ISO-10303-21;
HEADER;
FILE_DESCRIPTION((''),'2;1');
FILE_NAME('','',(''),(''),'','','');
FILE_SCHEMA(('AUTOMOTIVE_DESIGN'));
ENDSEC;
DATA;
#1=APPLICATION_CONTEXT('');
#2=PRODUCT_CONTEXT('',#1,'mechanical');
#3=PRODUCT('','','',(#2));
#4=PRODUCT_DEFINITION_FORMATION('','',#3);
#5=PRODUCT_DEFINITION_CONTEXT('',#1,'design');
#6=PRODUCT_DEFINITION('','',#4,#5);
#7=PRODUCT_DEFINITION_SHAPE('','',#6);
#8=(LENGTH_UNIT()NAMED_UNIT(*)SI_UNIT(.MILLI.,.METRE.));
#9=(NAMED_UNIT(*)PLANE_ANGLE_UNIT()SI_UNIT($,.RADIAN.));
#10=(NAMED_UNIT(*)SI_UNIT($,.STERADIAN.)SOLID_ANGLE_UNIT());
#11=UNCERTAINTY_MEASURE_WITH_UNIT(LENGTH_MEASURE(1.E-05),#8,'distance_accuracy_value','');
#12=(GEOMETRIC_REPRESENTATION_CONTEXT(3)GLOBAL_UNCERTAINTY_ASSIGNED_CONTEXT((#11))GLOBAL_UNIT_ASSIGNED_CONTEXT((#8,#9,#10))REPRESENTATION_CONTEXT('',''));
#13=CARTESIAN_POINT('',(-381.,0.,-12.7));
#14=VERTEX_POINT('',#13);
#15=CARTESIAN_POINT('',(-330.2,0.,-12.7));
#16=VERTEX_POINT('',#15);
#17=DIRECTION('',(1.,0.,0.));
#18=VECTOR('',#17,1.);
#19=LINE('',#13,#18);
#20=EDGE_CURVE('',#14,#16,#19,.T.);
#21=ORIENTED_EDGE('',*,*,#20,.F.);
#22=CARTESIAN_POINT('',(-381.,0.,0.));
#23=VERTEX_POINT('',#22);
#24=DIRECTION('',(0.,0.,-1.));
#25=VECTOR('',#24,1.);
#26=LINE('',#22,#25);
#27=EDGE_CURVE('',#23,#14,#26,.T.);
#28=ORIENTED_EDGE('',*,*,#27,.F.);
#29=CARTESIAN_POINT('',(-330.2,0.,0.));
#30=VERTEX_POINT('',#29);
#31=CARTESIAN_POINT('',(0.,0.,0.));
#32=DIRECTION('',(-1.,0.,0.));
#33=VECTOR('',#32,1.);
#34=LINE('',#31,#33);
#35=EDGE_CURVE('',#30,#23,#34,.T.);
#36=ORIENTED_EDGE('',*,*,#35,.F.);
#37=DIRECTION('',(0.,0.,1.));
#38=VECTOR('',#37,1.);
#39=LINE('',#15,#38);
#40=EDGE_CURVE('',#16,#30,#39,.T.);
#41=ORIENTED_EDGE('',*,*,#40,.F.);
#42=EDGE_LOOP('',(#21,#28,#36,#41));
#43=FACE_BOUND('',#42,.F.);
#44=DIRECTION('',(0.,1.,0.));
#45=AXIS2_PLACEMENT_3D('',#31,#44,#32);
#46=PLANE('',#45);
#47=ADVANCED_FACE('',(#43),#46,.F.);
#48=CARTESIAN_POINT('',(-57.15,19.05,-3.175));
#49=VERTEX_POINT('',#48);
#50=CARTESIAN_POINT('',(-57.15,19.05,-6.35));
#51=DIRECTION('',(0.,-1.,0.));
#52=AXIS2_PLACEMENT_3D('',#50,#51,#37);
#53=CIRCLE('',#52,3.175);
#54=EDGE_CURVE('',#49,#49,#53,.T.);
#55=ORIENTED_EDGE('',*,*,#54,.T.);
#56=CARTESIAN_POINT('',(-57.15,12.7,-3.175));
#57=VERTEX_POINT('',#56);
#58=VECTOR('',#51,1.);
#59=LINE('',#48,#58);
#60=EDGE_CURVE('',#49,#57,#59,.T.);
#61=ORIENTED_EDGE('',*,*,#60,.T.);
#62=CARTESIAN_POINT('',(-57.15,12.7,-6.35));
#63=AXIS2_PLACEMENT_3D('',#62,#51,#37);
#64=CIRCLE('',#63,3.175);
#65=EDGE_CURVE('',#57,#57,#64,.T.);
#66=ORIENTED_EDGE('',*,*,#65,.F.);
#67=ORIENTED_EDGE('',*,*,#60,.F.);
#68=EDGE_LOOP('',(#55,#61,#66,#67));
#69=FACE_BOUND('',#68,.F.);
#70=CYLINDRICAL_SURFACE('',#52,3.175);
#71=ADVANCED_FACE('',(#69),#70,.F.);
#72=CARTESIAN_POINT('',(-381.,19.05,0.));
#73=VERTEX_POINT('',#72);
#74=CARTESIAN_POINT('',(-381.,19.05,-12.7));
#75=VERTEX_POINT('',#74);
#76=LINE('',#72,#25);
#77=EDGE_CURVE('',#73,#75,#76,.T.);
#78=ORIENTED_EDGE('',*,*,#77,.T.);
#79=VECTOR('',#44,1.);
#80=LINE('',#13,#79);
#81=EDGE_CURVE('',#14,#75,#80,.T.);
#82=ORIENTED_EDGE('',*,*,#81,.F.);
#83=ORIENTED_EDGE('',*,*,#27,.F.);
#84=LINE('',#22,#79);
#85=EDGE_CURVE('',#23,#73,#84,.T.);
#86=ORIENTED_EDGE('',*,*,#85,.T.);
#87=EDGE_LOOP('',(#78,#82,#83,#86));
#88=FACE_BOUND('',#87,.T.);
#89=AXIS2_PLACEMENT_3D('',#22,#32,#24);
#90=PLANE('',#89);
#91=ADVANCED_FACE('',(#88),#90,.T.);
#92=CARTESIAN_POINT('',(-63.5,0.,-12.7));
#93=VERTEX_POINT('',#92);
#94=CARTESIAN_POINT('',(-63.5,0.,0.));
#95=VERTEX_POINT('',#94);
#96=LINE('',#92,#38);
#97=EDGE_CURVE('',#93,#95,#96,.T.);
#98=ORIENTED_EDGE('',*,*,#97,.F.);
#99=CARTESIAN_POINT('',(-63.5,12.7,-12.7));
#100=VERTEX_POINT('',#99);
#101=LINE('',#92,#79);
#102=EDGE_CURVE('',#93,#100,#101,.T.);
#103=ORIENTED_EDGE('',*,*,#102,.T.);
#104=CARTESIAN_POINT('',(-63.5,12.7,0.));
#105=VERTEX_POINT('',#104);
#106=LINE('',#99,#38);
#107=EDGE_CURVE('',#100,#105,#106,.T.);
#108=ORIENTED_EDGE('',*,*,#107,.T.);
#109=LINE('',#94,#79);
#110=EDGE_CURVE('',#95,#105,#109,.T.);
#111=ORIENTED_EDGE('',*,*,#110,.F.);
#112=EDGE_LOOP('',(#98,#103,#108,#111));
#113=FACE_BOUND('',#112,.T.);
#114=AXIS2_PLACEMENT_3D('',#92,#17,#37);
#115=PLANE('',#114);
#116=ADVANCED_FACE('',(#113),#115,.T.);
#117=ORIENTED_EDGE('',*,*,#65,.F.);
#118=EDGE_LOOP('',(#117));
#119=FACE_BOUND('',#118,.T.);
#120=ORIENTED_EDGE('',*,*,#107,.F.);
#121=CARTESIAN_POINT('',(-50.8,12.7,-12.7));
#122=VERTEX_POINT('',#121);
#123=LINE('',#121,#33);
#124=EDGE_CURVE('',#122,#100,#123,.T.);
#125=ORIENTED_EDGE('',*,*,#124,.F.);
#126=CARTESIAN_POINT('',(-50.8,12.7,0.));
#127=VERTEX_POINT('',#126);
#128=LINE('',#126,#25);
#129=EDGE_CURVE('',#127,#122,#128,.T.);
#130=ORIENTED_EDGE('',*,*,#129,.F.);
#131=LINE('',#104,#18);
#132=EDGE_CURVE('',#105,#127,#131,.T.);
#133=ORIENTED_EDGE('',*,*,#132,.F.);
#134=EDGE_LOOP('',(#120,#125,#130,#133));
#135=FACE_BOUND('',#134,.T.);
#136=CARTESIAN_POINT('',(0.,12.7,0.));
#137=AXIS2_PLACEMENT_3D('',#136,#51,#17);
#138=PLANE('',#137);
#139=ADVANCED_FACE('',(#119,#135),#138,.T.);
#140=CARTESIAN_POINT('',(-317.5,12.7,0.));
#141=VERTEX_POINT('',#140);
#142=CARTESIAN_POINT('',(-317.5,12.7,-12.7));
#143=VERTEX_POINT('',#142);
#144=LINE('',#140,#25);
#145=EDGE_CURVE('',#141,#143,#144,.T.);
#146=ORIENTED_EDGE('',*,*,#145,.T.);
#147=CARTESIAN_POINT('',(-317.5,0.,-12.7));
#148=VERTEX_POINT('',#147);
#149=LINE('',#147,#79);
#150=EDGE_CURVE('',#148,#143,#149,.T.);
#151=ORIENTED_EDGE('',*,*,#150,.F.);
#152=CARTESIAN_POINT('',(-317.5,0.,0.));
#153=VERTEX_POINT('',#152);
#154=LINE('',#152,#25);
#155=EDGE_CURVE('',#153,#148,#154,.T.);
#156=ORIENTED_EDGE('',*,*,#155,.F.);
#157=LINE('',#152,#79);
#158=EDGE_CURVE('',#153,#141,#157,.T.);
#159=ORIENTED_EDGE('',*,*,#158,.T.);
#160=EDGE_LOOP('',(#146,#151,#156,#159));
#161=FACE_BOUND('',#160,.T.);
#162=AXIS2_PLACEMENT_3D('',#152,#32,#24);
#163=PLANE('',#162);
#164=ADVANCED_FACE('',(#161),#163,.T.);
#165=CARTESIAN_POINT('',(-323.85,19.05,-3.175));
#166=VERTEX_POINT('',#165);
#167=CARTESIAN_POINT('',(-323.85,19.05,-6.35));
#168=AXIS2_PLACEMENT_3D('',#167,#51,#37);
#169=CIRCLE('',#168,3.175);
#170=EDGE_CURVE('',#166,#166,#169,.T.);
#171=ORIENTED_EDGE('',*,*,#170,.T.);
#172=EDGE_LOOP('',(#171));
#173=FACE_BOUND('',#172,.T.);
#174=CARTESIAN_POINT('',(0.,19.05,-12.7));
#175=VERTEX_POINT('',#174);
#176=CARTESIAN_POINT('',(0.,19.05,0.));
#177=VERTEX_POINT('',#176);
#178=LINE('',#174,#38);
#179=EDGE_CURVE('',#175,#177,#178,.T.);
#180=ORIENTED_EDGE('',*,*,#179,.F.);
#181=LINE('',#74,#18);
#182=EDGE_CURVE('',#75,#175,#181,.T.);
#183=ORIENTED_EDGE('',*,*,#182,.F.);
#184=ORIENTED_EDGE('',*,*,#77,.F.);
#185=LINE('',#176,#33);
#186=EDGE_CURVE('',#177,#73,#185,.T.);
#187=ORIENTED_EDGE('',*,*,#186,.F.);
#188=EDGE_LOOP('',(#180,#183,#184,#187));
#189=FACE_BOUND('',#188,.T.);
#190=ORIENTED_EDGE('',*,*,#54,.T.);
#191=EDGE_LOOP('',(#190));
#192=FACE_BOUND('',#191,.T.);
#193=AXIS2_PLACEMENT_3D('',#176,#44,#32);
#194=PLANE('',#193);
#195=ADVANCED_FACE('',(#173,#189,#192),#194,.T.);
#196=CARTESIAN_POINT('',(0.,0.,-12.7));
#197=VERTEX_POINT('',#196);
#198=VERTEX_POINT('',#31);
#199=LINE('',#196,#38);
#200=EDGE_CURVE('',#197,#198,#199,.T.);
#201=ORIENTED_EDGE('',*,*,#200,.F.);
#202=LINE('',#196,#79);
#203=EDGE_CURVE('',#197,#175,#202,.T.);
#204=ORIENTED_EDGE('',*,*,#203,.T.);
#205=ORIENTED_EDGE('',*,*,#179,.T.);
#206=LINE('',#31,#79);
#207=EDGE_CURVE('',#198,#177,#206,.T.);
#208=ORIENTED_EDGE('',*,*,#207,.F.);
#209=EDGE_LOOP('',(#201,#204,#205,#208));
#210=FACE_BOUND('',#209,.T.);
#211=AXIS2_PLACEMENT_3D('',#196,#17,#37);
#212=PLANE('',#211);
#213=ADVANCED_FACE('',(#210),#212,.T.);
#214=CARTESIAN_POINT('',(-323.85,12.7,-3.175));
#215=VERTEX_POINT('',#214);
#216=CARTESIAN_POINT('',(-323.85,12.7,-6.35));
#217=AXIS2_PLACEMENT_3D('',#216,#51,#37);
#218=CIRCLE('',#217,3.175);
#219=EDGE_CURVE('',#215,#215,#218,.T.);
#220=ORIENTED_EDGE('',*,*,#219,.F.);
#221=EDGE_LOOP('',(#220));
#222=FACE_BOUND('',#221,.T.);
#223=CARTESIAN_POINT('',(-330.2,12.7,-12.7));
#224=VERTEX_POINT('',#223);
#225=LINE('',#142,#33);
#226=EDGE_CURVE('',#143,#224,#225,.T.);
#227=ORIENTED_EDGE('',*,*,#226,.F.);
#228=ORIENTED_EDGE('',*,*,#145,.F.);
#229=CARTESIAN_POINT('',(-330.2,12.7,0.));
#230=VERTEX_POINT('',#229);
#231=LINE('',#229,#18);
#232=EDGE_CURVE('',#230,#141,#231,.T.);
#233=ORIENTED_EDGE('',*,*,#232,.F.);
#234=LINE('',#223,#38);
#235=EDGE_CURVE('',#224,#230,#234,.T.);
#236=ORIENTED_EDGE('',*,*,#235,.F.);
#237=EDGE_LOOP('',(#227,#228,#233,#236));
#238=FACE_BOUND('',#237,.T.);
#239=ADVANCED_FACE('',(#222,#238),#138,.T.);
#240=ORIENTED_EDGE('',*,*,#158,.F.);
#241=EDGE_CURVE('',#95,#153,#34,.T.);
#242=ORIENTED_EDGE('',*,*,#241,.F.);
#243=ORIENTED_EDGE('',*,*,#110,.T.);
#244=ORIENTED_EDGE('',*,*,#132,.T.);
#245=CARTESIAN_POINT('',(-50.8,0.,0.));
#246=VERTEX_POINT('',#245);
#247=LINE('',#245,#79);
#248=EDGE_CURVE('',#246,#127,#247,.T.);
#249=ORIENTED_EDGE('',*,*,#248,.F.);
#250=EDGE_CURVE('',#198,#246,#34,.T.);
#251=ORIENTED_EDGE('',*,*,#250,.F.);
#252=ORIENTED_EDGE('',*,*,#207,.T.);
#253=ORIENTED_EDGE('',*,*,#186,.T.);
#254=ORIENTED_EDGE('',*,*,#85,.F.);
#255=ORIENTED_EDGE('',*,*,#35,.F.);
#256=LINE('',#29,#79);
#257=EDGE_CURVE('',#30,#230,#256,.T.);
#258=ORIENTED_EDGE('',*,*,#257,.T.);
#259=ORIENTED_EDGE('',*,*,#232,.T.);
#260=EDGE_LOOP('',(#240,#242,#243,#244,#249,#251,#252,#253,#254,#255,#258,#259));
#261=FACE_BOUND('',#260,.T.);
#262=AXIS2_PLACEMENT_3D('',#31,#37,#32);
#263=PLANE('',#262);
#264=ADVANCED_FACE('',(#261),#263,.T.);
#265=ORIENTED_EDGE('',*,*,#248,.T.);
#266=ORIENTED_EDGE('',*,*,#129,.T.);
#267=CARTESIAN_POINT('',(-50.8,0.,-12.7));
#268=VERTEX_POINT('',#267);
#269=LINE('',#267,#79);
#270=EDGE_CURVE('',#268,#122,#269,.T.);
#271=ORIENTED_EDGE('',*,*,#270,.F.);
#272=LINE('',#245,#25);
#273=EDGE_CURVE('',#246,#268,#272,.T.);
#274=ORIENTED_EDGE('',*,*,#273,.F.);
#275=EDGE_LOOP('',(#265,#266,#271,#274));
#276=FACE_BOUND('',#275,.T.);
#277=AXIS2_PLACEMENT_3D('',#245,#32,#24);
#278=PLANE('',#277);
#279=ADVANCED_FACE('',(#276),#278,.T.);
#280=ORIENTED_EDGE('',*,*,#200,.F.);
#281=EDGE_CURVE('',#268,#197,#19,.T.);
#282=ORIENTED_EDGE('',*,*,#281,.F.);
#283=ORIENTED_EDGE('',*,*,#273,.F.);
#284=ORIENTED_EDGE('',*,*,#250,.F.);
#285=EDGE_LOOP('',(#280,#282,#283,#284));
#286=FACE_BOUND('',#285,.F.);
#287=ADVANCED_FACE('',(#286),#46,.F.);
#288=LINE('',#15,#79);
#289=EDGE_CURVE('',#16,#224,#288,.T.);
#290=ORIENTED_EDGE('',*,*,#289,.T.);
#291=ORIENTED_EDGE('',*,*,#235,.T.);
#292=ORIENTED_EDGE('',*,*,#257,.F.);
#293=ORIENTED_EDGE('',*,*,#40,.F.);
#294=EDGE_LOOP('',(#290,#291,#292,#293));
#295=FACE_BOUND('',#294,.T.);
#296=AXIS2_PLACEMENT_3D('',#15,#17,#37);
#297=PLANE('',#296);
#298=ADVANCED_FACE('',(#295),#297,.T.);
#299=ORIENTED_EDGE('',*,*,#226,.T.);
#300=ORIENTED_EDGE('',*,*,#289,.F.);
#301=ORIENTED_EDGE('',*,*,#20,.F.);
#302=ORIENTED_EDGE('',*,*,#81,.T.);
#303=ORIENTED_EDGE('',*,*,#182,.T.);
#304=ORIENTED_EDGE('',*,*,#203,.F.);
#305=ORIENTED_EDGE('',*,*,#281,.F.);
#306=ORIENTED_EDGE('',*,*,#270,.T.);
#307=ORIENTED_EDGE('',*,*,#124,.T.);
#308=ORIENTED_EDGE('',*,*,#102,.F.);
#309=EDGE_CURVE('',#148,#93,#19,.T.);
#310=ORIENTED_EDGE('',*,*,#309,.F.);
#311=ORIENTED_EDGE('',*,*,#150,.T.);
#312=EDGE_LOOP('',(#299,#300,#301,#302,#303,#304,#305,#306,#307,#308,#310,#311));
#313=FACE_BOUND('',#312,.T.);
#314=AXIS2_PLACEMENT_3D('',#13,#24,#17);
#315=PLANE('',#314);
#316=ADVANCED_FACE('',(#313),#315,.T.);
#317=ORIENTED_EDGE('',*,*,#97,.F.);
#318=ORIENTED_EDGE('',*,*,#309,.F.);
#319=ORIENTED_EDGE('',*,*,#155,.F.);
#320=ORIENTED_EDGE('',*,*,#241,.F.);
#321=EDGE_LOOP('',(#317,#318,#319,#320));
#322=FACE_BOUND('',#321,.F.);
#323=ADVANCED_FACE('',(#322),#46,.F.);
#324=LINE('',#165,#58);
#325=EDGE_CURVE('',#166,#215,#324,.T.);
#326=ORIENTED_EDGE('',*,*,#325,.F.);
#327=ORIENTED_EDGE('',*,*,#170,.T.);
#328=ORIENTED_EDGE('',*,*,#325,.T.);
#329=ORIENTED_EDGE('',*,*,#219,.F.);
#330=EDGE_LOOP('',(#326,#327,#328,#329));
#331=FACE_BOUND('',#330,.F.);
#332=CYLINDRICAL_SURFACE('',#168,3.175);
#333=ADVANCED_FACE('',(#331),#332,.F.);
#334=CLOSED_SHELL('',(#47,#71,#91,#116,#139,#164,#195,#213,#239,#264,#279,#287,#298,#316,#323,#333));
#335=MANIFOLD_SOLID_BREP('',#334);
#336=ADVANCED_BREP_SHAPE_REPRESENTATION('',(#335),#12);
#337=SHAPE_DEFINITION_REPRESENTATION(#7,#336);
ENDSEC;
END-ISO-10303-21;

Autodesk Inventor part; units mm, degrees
ref_plane "YZ Plane" through (0, 0, 0) normal (1, 0, 0) x (0, 1, 0)
ref_plane "XZ Plane" through (0, 0, 0) normal (0, 1, 0) x (-1, 0, 0)
ref_plane "XY Plane" through (0, 0, 0) normal (0, 0, 1) x (1, 0, 0)
sketch "Sketch1" plane through (0, 0, 0) normal (0, 1, 0) x (-1, 0, 0)
  line L0 (0, 0) -> (381, 0)
  line L1 (381, 0) -> (381, -12.7)
  line L2 (381, -12.7) -> (0, -12.7)
  line L3 (0, -12.7) -> (0, 0)
  dimension "d0" = 381
  dimension "d1" = 12.7
extrude "Extrusion1" add sketch "Sketch1" along normal blind 19.05
sketch "Sketch2" plane through (0, 0, 0) normal (0, -1, 0) x (1, 0, 0)
  line L0 (-63.5, 0) -> (-50.8, 0)
  line L1 (-50.8, 0) -> (-50.8, -12.7)
  line L2 (-50.8, -12.7) -> (-63.5, -12.7)
  line L3 (-63.5, -12.7) -> (-63.5, 0)
  line L4 (0, -12.7) -> (0, 0) projected
  line L5 (-330.2, 0) -> (-317.5, 0)
  line L6 (-317.5, 0) -> (-317.5, -12.7)
  line L7 (-317.5, -12.7) -> (-330.2, -12.7)
  line L8 (-330.2, -12.7) -> (-330.2, 0)
  dimension "d4" = 12.7
  dimension "d5" = 12.7
  dimension "d6" = 50.8
  dimension "d7" = 12.7
  dimension "d8" = 12.7
  dimension "d9" = 330.2
extrude "Extrusion2" cut sketch "Sketch2" against normal blind 12.7
sketch "Sketch3" plane through (0, 19.05, 0) normal (0, 1, 0) x (1, 0, 0)
  circle A0 centre (-57.15, 6.35) radius 3.175
  line L0 (0, 0) -> (0, 12.7) projected
  line L1 (0, 12.7) -> (-381, 12.7) projected
  circle A1 centre (-323.85, 6.35) radius 3.175
  dimension "d12" = 6.35
  dimension "d13" = 57.15
  dimension "d15" = 6.35
  dimension "d16" = 6.35
  dimension "d17" = 323.85
hole "Hole1" at (-323.85, 19.05, -6.35) at (-57.15, 19.05, -6.35) direction (0, -1, 0) diameter 6.35 end through all
properties part number "Rack Side"
